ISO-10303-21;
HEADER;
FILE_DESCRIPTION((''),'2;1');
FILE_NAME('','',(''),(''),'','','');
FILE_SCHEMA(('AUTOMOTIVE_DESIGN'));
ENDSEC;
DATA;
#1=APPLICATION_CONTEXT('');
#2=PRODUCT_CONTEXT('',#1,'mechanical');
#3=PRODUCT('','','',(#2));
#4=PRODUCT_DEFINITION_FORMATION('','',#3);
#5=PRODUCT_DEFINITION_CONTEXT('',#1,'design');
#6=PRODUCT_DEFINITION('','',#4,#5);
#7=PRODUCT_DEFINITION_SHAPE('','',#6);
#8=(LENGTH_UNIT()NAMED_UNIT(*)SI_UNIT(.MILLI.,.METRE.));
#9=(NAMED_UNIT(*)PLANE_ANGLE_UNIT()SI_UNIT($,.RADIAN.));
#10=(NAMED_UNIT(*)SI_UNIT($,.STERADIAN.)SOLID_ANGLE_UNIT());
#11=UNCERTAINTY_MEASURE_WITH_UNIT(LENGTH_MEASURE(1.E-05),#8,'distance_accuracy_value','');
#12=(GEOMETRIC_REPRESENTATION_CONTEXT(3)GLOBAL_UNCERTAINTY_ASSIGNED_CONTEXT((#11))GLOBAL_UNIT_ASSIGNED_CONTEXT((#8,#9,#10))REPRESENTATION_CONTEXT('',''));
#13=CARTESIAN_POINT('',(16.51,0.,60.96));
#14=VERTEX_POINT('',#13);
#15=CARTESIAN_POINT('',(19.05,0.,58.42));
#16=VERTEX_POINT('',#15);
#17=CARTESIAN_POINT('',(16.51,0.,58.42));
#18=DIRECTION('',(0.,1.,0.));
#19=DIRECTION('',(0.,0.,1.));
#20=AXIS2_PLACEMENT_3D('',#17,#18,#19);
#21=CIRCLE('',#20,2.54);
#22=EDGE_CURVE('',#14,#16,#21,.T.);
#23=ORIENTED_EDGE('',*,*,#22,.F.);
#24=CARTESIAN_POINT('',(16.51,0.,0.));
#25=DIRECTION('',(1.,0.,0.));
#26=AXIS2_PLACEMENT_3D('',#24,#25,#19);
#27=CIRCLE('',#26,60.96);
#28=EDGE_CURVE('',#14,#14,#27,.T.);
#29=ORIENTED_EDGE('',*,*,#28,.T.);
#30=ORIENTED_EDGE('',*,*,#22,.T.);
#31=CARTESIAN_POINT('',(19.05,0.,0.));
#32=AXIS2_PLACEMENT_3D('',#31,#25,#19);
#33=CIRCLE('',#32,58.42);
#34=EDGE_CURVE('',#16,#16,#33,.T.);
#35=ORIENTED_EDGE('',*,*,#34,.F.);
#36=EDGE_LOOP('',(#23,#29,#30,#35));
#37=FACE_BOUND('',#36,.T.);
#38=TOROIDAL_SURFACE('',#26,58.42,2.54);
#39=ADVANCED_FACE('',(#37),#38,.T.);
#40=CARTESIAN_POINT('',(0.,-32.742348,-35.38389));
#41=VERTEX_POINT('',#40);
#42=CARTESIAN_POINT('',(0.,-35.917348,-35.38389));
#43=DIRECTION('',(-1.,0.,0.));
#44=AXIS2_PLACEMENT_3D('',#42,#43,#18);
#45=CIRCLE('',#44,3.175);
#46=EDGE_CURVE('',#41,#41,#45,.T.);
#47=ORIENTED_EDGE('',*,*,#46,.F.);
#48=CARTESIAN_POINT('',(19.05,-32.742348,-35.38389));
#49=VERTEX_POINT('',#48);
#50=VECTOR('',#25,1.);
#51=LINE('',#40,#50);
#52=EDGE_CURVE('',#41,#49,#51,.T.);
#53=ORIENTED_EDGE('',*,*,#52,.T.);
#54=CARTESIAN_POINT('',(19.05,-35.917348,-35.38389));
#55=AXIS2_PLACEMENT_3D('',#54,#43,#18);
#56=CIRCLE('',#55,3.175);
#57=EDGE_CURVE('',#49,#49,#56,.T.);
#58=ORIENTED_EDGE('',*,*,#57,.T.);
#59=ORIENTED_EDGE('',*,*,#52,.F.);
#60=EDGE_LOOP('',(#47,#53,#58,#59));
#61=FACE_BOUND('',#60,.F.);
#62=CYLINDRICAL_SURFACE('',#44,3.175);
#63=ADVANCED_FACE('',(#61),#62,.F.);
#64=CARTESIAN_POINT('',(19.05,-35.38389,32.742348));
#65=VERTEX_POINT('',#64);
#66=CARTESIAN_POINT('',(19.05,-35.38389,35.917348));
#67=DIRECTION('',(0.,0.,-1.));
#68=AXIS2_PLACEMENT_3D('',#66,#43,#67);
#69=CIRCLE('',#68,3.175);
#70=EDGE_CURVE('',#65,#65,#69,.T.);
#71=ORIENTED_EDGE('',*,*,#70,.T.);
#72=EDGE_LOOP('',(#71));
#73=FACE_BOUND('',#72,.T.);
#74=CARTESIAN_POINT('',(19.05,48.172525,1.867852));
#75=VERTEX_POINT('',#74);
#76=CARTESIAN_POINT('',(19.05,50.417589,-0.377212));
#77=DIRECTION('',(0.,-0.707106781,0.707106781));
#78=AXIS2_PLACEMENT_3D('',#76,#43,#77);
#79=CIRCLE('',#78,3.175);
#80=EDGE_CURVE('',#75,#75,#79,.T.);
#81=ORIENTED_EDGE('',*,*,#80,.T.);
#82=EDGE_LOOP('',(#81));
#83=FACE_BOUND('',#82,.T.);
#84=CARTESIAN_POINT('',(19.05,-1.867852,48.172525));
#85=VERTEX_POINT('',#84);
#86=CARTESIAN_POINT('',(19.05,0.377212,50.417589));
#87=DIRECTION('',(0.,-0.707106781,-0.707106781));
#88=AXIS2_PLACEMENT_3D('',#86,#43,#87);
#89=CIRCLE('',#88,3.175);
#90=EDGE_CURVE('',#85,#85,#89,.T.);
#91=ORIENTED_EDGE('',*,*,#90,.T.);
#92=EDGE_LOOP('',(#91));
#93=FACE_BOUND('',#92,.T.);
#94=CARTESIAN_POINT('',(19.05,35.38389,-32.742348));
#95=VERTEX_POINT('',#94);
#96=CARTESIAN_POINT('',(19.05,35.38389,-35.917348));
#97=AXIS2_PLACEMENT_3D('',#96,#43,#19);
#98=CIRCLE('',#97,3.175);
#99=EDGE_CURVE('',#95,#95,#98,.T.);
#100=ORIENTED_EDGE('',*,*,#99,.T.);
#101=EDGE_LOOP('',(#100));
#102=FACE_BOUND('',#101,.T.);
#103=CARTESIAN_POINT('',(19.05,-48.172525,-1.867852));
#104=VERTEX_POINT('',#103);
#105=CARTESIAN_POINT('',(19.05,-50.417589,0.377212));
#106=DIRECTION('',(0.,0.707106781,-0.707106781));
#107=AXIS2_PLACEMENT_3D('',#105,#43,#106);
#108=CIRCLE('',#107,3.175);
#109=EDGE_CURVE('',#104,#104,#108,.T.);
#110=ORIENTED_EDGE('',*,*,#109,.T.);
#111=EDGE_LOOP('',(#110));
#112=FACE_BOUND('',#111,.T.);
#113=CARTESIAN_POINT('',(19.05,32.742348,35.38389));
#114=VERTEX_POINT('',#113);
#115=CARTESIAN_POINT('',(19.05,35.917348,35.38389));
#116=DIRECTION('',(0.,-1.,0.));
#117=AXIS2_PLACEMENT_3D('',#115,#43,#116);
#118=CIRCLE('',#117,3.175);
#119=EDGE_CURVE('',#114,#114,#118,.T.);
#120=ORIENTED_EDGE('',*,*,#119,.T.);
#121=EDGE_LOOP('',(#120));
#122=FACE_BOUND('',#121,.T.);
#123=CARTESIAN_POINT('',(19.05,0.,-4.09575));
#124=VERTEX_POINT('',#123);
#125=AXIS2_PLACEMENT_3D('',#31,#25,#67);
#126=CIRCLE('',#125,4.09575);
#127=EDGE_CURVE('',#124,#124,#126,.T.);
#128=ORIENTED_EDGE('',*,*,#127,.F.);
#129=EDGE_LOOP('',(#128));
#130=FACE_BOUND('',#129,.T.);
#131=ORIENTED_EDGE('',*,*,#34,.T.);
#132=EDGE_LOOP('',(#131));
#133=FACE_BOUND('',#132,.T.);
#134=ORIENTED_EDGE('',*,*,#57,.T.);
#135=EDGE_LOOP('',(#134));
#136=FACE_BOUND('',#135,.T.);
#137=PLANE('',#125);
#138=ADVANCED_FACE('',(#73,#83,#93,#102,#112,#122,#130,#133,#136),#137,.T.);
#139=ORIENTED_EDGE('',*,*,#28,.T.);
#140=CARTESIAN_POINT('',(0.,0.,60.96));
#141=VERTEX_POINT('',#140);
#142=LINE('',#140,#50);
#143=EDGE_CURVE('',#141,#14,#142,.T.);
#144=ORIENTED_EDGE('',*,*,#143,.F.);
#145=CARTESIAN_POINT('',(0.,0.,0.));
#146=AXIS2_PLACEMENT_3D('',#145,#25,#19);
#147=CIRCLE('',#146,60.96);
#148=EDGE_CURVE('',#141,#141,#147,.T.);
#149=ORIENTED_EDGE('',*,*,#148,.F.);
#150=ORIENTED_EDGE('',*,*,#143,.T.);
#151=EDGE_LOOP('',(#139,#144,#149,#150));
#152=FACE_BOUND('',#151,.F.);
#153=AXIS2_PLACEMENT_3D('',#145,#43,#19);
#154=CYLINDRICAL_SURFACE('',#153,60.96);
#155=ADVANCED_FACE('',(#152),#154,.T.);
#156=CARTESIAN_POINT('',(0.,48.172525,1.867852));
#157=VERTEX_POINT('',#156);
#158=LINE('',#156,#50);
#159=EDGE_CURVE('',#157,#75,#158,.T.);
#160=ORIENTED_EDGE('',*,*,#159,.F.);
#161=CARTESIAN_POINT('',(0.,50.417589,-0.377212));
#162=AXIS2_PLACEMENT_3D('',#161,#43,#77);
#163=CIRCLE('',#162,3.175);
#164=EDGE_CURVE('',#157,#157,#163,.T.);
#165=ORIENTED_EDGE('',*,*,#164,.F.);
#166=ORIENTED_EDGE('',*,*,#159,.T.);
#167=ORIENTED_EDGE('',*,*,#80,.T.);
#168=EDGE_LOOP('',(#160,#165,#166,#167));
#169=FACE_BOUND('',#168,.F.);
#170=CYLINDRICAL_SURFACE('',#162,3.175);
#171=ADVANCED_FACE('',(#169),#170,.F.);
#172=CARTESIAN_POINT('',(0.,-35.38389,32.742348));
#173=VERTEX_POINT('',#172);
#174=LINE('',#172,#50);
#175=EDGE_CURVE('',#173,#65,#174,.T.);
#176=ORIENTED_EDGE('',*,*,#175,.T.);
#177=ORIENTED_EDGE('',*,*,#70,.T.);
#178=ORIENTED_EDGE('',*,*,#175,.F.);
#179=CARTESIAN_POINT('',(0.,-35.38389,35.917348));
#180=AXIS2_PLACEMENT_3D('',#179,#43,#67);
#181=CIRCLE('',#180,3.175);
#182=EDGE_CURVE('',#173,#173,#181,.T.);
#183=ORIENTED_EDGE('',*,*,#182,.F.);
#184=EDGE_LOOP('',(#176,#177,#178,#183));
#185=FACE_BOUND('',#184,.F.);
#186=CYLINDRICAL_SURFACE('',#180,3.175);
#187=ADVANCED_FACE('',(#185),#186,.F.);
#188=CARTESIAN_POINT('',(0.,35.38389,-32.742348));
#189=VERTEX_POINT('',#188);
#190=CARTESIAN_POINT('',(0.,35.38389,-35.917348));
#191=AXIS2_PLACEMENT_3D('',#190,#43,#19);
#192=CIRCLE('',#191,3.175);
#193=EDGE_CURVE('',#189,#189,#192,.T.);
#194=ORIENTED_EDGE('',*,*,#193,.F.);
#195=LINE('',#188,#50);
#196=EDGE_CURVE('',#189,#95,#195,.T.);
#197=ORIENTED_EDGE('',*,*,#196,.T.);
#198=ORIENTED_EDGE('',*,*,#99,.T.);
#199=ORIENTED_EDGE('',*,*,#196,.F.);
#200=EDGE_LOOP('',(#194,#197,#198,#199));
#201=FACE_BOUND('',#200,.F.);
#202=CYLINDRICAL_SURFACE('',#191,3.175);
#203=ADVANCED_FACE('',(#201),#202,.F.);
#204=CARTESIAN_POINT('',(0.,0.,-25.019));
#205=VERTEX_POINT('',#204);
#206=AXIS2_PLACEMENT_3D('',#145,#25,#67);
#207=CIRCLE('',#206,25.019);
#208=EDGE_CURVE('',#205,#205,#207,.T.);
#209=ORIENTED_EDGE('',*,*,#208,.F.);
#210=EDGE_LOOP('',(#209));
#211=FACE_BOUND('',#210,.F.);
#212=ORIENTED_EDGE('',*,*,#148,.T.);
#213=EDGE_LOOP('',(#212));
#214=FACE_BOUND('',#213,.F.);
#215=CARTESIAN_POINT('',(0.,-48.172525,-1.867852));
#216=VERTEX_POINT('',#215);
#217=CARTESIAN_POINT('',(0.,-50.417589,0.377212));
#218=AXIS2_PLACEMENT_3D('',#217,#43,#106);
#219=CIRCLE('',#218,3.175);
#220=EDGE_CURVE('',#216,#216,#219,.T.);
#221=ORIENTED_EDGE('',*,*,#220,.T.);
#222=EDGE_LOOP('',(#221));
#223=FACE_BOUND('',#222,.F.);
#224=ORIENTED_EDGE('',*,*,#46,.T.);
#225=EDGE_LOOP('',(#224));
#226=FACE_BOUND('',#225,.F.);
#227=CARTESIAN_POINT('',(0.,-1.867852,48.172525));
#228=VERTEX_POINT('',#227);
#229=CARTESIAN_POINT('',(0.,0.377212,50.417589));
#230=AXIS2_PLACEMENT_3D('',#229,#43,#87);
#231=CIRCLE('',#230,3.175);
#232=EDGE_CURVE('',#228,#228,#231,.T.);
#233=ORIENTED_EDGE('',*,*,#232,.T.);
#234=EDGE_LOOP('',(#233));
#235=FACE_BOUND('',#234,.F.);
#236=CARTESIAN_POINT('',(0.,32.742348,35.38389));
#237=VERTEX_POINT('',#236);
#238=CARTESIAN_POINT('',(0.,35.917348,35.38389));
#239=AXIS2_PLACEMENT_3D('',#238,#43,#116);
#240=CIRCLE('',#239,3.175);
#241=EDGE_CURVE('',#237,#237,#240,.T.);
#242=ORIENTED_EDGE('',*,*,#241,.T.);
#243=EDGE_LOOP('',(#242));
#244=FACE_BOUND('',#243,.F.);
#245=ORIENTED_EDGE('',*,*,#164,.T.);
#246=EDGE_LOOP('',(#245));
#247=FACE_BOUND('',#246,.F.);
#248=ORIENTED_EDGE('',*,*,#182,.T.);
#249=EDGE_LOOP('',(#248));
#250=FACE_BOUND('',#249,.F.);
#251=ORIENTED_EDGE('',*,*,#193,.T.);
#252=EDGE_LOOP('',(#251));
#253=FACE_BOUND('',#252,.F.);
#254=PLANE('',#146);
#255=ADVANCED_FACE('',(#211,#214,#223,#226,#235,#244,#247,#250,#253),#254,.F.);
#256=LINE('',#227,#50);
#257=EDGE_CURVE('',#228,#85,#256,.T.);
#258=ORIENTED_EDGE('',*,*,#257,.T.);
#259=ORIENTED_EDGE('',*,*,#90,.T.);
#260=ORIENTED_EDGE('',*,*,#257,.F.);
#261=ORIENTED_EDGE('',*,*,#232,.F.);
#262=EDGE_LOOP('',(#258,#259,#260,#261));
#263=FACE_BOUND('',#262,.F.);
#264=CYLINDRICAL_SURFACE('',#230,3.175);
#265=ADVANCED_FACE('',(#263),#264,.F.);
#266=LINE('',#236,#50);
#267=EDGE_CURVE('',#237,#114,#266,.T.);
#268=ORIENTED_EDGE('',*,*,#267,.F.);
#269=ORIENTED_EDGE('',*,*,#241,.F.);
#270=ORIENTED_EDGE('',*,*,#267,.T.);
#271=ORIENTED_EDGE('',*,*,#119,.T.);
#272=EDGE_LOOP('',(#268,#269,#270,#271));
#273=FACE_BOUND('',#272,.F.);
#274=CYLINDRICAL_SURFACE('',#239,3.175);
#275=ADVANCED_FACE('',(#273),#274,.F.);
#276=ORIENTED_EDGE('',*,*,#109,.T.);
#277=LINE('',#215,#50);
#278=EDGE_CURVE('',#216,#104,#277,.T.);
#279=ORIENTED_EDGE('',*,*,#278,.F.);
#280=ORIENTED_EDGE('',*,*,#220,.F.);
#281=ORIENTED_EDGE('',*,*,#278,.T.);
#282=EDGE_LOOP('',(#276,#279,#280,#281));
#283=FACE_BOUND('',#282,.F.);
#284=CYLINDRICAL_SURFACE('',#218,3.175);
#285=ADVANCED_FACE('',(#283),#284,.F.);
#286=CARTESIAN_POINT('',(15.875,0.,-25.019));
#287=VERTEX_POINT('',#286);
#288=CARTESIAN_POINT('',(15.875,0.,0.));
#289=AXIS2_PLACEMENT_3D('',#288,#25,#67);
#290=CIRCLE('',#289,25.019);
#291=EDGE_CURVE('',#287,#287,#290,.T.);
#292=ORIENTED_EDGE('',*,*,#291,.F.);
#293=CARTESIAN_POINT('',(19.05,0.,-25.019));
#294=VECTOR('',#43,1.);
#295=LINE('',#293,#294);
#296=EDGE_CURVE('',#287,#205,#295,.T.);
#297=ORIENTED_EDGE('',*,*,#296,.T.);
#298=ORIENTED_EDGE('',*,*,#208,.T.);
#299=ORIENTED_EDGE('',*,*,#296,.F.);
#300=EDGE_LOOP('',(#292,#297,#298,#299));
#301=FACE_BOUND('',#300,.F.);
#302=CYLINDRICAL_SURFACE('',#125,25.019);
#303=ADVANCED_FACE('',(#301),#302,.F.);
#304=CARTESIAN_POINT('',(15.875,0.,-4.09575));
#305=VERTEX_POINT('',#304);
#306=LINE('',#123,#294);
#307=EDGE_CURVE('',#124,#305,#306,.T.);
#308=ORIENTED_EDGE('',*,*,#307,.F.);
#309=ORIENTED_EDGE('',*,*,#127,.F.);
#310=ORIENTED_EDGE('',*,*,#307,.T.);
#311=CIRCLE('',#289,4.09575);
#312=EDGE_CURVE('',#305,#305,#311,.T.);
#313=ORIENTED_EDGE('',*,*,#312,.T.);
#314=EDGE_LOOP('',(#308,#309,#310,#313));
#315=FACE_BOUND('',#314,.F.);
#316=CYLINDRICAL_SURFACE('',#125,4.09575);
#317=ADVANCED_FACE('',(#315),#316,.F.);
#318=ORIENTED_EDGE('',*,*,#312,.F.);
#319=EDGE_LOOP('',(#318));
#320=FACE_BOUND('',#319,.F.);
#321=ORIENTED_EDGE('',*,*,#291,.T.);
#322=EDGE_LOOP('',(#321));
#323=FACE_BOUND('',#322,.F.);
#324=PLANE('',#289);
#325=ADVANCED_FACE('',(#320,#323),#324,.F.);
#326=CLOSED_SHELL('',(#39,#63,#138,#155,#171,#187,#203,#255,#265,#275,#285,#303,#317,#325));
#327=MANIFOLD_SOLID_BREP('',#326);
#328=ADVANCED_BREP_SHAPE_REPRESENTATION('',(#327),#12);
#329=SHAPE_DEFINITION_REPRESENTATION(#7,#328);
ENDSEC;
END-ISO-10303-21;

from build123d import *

# Parameters (mm, degrees)
SKETCH1_R           = 60.96
BOSS_EXTRUDE1_DEPTH = 19.05
FILLET1_R           = 2.54
SKETCH2_R           = 4
CUT_EXTRUDE1_DEPTH  = 6.35
SKETCH4_R           = 25.019
CUT_EXTRUDE3_DEPTH  = 89.290122324
SKETCH5_R           = 3.175
CUT_EXTRUDE4_DEPTH  = 89.290122324
CIRPATTERN2_COUNT   = 8
SKETCH6_R           = 25.019
SKETCH6_R_2         = 4.09575
BOSS_EXTRUDE2_DEPTH = 3.175


with BuildPart() as part:
    # Sketch1 → Boss-Extrude1 (new body)
    with BuildSketch(Plane(origin=(0, 0, 0), x_dir=(0, 0, -1), z_dir=(1, 0, 0))):
        with Locations(Location((0, 0, 0), (0, 0, 180))):
            Circle(SKETCH1_R)
    extrude(amount=BOSS_EXTRUDE1_DEPTH)

    # Fillet1
    fillet1_edges = [part.edges().sort_by_distance(p)[0] for p in [
        (19.05, 0, -60.96),
    ]]
    fillet(fillet1_edges, radius=FILLET1_R)

    # Sketch2 → Cut-Extrude1 (cut)
    with BuildSketch(Plane(origin=(19.05, 0, 0), x_dir=(0, 0, -1), z_dir=(1, 0, 0))):
        Circle(SKETCH2_R)
    extrude(amount=-CUT_EXTRUDE1_DEPTH, mode=Mode.SUBTRACT)

    # Sketch4 → Cut-Extrude3 (cut, through all)
    with BuildSketch(Plane(origin=(19.05, 0, 0), x_dir=(0, 0, -1), z_dir=(1, 0, 0))):
        Circle(SKETCH4_R)
    extrude(amount=-CUT_EXTRUDE3_DEPTH, mode=Mode.SUBTRACT)

    # Sketch5 → Cut-Extrude4 (cut, through all)
    with BuildSketch(Plane.ZY):
        with Locations((-35.91734849, 35.383889532)):
            Circle(SKETCH5_R)
    cut_extrude4 = extrude(amount=-CUT_EXTRUDE4_DEPTH, mode=Mode.SUBTRACT)

    # CirPattern2: Cut-Extrude4 ×8 about axis, 1 skipped
    cirpattern2_axis = Axis((0, 0, 0), (1, 0, 0))
    add([cut_extrude4.rotate(cirpattern2_axis, i * 360 / CIRPATTERN2_COUNT) for i in range(1, CIRPATTERN2_COUNT) if i not in (7,)], mode=Mode.SUBTRACT)

    # Sketch6 → Boss-Extrude2 (add)
    with BuildSketch(Plane(origin=(19.05, 0, 0), x_dir=(0, 0, -1), z_dir=(1, 0, 0))):
        Circle(SKETCH6_R)
        Circle(SKETCH6_R_2, mode=Mode.SUBTRACT)
    extrude(amount=-BOSS_EXTRUDE2_DEPTH)


solid = part.part
